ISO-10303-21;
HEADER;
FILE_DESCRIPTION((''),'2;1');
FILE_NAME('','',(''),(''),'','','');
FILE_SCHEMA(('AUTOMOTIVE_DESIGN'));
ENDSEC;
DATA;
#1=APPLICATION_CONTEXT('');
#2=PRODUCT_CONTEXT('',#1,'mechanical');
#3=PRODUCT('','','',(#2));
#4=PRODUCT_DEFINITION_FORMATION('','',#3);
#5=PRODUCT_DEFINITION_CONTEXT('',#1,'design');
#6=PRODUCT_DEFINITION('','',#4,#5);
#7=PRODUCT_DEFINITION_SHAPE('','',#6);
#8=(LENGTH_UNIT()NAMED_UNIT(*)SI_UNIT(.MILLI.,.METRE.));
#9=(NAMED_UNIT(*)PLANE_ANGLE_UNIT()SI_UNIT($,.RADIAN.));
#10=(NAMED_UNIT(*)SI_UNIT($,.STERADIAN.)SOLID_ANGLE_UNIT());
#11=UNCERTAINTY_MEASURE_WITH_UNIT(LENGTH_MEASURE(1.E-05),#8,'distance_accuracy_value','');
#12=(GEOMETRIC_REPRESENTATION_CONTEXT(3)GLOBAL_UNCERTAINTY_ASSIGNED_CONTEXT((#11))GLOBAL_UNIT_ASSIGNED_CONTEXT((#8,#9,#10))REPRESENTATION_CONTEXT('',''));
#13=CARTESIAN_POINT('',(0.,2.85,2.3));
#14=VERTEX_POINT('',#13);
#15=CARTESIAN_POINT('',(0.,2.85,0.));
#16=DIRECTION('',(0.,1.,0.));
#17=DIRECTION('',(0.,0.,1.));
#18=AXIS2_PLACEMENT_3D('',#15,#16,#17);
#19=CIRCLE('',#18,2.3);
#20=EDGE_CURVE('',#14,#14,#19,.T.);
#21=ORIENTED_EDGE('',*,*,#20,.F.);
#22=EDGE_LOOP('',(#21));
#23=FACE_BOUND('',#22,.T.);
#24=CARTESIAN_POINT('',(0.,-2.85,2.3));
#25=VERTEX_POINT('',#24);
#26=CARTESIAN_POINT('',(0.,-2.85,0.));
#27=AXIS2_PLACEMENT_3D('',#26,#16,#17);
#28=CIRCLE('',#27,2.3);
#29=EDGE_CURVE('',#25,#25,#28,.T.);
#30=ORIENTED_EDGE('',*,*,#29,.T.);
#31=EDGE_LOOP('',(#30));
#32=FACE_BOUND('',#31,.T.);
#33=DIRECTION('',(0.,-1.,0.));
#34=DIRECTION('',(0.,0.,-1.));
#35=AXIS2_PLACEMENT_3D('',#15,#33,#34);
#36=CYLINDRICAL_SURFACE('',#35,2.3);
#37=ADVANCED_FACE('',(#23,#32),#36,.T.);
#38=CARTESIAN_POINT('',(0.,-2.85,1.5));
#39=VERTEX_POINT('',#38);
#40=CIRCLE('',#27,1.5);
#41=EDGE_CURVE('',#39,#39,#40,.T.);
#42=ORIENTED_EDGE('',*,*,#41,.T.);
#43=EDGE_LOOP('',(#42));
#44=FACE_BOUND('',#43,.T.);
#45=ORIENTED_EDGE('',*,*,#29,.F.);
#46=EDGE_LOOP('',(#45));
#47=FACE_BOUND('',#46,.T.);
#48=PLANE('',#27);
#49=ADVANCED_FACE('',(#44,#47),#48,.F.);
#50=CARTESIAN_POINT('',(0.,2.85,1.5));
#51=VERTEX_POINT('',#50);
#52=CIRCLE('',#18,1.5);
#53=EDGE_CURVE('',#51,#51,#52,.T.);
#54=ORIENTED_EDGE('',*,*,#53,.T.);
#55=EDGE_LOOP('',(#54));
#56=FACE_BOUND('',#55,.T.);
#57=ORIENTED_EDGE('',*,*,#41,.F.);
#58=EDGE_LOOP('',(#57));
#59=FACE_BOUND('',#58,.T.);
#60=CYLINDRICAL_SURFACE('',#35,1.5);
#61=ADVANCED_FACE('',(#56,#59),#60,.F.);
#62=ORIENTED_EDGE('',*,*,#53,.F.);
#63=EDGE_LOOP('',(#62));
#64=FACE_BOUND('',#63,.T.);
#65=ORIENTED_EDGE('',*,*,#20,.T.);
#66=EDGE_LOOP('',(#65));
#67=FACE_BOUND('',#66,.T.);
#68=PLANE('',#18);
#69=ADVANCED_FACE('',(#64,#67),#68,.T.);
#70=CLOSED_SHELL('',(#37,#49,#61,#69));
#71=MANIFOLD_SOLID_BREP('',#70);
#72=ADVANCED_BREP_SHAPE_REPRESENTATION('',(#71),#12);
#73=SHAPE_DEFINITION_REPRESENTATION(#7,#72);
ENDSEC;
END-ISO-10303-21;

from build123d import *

# Parameters (mm, degrees)
SKETCH1_R           = 2.3
SKETCH1_R_2         = 1.5
BOSS_EXTRUDE1_DEPTH = 2.85


with BuildPart() as part:
    # Sketch1 → Boss-Extrude1 (new body, symmetric)
    with BuildSketch(Plane(origin=(0, 0, 0), x_dir=(1, 0, 0), z_dir=(0, 1, 0))):
        Circle(SKETCH1_R)
        Circle(SKETCH1_R_2, mode=Mode.SUBTRACT)
    extrude(amount=BOSS_EXTRUDE1_DEPTH, both=True)


solid = part.part
